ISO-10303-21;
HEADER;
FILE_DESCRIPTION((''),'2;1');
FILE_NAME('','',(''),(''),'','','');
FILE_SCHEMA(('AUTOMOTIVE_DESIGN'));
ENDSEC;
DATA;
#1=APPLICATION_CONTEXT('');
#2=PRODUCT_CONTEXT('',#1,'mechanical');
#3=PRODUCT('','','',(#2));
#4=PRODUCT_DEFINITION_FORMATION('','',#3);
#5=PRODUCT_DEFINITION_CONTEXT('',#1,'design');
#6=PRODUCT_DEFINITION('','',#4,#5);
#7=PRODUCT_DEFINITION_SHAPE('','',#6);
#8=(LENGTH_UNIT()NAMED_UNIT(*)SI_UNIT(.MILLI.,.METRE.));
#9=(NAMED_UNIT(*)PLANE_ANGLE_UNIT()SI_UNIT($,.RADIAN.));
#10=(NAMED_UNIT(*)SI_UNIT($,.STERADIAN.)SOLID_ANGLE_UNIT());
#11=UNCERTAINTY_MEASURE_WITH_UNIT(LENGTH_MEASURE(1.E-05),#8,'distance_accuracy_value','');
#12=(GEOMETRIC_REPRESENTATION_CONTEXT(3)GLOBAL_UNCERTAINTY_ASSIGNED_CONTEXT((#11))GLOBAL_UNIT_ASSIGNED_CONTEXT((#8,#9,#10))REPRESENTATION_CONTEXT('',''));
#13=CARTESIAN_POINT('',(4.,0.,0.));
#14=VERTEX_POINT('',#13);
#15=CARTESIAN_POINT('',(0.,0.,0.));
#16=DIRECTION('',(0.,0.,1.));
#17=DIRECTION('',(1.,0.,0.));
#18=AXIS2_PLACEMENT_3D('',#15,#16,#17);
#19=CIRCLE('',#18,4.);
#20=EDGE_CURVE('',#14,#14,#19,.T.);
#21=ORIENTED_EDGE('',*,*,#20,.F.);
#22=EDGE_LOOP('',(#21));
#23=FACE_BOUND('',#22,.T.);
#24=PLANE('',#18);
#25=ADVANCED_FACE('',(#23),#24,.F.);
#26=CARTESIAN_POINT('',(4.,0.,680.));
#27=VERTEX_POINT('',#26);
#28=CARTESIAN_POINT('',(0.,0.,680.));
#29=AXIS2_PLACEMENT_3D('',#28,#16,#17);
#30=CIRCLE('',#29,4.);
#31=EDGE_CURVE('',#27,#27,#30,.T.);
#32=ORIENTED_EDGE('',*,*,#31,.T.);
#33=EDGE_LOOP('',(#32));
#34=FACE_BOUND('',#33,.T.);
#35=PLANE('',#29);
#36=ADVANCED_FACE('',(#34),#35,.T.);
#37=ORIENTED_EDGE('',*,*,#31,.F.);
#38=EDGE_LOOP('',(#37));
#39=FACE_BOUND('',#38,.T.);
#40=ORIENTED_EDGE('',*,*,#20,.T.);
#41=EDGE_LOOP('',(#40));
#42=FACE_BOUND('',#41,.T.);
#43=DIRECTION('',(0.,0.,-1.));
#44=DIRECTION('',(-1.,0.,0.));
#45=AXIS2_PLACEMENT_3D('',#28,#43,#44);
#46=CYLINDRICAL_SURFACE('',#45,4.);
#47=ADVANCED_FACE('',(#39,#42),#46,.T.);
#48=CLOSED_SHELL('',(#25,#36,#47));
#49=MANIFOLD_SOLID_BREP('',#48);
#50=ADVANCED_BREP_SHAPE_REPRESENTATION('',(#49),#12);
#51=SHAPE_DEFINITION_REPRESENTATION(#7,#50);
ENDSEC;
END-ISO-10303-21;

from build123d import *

# Parameters (mm, degrees)
ESQUISSE1_R        = 4
BOSS_EXTRU_1_DEPTH = 680


with BuildPart() as part:
    # Esquisse1 → Boss.-Extru.1 (new body)
    with BuildSketch(Plane.XY):
        Circle(ESQUISSE1_R)
    extrude(amount=BOSS_EXTRU_1_DEPTH)


solid = part.part
